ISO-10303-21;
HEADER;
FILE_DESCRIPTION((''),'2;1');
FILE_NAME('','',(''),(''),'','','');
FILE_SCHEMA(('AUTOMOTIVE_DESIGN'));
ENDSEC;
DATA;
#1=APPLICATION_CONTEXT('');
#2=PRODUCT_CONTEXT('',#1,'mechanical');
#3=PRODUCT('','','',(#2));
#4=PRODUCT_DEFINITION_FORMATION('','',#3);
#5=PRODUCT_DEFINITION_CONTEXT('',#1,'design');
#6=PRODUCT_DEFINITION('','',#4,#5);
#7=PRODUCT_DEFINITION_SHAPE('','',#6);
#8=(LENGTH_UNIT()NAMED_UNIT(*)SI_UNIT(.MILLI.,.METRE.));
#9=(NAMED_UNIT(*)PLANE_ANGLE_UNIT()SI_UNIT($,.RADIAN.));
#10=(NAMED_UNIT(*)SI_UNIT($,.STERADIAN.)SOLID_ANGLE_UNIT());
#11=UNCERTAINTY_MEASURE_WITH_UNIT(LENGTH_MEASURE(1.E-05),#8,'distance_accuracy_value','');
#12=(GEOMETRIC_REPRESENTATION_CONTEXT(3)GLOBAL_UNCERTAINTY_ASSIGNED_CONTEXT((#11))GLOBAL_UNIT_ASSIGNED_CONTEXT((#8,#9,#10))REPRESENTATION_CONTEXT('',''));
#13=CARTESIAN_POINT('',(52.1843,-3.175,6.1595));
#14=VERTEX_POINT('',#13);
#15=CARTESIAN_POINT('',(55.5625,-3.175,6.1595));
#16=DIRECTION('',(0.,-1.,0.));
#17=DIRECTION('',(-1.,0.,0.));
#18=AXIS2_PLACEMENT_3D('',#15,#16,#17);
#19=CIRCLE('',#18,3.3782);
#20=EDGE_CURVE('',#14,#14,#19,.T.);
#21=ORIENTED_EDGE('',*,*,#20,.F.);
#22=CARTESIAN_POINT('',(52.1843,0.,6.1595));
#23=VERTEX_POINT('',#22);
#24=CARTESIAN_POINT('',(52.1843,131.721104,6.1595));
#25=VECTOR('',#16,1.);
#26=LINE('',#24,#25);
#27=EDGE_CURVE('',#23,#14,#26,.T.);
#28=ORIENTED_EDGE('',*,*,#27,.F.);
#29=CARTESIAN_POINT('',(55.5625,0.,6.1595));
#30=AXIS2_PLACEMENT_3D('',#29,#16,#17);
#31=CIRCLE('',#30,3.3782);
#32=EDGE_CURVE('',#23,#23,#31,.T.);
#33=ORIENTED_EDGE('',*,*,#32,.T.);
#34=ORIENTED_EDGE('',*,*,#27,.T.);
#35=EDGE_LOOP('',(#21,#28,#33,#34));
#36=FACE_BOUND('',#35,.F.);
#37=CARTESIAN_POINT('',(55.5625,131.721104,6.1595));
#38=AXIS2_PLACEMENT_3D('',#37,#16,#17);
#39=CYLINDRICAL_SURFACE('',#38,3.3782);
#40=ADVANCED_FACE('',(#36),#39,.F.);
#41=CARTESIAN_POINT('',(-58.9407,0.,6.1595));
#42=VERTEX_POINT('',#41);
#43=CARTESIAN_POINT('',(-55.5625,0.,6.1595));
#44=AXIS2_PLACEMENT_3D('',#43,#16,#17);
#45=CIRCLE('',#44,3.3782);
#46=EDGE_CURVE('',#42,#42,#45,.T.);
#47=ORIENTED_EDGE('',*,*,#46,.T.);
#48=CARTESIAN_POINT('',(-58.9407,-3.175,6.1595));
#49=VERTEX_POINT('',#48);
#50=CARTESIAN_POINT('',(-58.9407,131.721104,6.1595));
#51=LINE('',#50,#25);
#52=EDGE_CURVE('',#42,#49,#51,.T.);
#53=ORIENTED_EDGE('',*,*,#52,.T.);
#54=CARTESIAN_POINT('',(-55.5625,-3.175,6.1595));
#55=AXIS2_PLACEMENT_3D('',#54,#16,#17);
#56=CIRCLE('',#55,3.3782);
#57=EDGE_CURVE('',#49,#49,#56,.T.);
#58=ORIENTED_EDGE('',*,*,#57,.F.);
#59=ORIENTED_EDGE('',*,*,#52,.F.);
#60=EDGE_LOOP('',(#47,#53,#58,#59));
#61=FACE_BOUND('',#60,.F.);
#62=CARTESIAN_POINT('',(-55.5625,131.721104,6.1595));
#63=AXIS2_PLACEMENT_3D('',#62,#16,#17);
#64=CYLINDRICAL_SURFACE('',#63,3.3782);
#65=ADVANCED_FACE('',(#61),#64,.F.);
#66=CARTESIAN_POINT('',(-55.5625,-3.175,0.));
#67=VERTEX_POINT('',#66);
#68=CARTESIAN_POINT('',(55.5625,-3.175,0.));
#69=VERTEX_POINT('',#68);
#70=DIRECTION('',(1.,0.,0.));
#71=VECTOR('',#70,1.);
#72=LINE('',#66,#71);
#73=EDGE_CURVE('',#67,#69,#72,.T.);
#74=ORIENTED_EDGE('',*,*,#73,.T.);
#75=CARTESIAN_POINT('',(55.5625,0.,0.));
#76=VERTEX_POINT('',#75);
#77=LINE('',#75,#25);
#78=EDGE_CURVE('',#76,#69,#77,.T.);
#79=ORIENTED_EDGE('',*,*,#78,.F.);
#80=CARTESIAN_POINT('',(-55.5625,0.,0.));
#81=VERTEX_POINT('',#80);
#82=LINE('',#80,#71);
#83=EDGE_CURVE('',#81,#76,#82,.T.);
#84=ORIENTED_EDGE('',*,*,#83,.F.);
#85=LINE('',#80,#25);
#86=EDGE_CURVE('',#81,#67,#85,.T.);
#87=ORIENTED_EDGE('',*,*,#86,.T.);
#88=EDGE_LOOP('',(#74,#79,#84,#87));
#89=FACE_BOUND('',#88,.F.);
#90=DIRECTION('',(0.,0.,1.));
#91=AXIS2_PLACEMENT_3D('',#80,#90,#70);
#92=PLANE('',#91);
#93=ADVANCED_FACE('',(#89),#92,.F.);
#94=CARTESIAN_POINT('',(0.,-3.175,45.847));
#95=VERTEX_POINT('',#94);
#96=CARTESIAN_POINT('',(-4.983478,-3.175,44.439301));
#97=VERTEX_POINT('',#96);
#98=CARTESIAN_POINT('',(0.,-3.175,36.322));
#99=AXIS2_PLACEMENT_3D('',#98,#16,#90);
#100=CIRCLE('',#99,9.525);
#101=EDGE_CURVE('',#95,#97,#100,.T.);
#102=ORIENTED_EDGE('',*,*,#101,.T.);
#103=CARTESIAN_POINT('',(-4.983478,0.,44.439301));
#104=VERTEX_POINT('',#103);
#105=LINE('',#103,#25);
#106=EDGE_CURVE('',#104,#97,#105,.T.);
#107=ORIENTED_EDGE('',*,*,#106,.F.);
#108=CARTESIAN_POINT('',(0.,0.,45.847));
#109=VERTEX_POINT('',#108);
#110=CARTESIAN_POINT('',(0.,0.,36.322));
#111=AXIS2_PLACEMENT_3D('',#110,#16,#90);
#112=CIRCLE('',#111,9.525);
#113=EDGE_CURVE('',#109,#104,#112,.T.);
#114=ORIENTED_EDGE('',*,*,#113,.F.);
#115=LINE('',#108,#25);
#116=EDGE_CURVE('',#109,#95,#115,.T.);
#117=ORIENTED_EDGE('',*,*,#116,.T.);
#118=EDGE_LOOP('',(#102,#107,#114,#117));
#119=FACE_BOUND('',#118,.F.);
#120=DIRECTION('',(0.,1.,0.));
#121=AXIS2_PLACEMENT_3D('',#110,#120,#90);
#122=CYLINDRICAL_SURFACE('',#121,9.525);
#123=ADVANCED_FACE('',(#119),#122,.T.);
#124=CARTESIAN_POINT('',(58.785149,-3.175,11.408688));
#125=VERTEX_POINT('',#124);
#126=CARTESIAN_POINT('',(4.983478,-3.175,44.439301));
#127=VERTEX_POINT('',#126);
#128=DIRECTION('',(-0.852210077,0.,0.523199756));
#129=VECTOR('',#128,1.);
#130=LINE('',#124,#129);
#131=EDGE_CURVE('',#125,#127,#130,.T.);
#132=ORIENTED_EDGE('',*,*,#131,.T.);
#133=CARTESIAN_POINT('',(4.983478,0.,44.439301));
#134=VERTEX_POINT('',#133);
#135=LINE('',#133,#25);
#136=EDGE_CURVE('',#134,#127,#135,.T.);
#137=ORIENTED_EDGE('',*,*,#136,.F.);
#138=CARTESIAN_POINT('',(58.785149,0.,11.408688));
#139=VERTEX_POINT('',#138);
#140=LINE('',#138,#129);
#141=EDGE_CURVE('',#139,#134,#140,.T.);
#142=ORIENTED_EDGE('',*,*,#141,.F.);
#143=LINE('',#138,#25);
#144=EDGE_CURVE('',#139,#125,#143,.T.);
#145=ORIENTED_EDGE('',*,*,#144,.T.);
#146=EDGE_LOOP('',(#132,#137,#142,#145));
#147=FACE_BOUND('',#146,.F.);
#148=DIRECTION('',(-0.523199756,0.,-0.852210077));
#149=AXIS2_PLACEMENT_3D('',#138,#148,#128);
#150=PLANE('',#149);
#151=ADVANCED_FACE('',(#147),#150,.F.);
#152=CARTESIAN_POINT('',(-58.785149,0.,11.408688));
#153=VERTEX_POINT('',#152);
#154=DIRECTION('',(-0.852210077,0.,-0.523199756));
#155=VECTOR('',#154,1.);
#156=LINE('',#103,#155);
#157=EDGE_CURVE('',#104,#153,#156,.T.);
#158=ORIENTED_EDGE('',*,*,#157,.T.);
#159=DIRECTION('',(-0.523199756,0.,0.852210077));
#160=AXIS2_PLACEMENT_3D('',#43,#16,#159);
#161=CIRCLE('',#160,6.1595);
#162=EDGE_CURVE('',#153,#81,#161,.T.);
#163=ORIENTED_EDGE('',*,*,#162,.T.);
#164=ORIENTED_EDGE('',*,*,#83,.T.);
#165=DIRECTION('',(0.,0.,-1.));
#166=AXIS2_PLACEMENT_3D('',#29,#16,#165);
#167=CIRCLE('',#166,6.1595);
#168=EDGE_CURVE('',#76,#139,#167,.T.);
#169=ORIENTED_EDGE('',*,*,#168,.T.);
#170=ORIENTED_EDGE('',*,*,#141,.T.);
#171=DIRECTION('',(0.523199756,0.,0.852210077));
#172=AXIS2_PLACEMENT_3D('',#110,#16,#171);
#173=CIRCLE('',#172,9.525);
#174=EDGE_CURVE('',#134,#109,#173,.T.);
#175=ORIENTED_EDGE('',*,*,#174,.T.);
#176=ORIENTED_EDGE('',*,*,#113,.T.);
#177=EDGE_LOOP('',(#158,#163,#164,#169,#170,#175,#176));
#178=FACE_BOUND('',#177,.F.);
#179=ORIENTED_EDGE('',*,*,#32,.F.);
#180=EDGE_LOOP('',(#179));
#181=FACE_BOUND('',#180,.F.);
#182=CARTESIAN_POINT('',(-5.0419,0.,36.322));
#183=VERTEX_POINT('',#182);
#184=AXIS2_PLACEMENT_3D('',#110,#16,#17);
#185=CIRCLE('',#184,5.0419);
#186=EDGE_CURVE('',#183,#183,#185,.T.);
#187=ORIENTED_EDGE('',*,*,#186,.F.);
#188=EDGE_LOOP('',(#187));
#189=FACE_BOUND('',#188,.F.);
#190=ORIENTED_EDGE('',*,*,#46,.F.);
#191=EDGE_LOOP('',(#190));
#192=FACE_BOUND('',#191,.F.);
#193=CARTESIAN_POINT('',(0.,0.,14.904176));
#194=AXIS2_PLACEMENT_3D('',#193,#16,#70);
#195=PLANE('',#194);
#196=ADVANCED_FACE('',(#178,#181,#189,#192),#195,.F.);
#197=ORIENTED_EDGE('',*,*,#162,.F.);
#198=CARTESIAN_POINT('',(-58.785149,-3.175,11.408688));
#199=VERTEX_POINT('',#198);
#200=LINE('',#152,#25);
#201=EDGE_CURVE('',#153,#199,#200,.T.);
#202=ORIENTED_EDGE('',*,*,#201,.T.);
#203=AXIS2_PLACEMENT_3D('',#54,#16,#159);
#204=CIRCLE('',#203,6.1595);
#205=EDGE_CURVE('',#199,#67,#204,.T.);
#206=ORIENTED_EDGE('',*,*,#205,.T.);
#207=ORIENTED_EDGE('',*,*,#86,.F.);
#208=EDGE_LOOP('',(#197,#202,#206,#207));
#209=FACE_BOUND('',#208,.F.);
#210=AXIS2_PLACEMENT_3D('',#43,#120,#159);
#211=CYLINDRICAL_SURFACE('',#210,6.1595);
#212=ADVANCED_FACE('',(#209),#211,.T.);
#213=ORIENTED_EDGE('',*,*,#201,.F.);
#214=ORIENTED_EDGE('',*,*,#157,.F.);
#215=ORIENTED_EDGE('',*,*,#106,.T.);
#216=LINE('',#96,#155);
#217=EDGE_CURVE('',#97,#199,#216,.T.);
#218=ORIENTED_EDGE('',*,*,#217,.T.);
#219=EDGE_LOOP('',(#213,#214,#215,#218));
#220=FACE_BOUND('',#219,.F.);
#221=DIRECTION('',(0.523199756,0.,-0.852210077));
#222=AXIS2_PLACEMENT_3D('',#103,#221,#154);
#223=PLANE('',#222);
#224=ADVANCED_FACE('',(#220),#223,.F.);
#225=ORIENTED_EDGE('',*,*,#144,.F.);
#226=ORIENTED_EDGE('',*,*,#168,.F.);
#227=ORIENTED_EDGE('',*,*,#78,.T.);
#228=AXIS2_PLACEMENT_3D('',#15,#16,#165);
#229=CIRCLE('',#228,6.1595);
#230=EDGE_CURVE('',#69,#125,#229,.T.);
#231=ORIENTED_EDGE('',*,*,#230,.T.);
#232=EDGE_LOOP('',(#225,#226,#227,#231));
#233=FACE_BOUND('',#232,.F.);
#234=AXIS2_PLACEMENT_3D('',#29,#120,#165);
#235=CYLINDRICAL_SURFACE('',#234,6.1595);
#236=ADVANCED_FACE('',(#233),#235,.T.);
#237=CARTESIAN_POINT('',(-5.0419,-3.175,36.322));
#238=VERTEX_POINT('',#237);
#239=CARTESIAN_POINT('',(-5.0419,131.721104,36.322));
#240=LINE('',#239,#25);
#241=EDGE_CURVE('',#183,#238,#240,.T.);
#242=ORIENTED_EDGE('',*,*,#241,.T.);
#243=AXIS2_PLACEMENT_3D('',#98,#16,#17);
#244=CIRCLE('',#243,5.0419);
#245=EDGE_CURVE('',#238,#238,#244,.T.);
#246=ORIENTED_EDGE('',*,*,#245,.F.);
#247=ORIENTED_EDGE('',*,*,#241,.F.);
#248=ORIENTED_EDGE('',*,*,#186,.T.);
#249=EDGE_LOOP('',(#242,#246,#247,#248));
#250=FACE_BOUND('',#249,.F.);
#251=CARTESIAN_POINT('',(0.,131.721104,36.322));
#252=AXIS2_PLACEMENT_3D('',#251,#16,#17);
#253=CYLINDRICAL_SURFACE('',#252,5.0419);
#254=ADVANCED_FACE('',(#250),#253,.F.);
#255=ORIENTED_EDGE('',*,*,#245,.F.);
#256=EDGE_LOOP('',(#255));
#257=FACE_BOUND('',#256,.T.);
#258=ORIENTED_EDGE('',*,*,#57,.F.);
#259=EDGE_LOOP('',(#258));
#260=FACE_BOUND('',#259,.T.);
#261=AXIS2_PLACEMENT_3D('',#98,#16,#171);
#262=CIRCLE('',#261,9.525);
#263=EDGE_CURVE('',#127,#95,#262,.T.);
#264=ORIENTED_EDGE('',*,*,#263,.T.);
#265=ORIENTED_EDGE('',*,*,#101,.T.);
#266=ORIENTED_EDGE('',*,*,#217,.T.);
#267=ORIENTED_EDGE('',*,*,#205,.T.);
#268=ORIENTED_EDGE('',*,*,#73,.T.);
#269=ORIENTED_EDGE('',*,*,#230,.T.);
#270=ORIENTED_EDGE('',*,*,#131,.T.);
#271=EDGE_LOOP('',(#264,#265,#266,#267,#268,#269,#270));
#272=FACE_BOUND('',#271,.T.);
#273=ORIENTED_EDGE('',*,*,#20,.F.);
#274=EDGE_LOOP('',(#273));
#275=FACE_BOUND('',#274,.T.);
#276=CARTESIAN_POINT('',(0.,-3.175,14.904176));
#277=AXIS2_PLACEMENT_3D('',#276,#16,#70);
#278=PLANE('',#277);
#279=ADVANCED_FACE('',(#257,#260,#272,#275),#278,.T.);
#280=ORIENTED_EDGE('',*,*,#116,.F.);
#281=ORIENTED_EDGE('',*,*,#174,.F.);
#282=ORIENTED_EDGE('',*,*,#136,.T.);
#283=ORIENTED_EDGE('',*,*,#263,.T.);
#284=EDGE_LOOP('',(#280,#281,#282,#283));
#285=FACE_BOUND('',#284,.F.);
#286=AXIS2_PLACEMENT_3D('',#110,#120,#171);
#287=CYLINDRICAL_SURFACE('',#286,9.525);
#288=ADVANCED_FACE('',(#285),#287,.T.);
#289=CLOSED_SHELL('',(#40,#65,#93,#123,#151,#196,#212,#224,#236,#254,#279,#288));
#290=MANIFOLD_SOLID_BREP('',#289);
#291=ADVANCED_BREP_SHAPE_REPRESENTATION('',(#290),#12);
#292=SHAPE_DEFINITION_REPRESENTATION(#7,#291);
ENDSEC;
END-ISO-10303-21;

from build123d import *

# Parameters (mm, degrees)
F1_DEPTH = 3.175
F2_D     = 10.0838
F3_D     = 6.7564


with BuildPart() as f1:
    # F0 (on Front) → F1 (new body)
    with BuildSketch(Plane.XZ):
        with BuildLine():
            Line((-4.9834776765, 44.439300983), (-58.7851488975, 11.408687969))
            ThreePointArc((-58.7851488975, 11.408687969), (-61.490054873, 4.4851244515), (-55.5625, 0))
            Line((-55.5625, 0), (0, 0))
            Line((0, 0), (55.5625, 0))
            ThreePointArc((55.5625, 0), (61.490054873, 4.4851244515), (58.7851488975, 11.408687969))
            Line((58.7851488975, 11.408687969), (4.9834776765, 44.439300983))
            ThreePointArc((4.9834776765, 44.439300983), (2.589240539, 45.4883219686), (0, 45.847))
            ThreePointArc((0, 45.847), (-2.589240539, 45.4883219686), (-4.9834776765, 44.439300983))
        make_face()
    extrude(amount=F1_DEPTH)

    # F2 (through all)
    with Locations(Plane(origin=(0, 0, 0), x_dir=(1, 0, 0), z_dir=(0, 1, 0))):
        with Locations((0, -36.322)):
            Hole(F2_D / 2)

    # F3 (through all)
    with Locations(Plane(origin=(0, 0, 0), x_dir=(1, 0, 0), z_dir=(0, 1, 0))):
        with Locations((55.5625, -6.1595), (-55.5625, -6.1595)):
            Hole(F3_D / 2)


solid = f1.part
